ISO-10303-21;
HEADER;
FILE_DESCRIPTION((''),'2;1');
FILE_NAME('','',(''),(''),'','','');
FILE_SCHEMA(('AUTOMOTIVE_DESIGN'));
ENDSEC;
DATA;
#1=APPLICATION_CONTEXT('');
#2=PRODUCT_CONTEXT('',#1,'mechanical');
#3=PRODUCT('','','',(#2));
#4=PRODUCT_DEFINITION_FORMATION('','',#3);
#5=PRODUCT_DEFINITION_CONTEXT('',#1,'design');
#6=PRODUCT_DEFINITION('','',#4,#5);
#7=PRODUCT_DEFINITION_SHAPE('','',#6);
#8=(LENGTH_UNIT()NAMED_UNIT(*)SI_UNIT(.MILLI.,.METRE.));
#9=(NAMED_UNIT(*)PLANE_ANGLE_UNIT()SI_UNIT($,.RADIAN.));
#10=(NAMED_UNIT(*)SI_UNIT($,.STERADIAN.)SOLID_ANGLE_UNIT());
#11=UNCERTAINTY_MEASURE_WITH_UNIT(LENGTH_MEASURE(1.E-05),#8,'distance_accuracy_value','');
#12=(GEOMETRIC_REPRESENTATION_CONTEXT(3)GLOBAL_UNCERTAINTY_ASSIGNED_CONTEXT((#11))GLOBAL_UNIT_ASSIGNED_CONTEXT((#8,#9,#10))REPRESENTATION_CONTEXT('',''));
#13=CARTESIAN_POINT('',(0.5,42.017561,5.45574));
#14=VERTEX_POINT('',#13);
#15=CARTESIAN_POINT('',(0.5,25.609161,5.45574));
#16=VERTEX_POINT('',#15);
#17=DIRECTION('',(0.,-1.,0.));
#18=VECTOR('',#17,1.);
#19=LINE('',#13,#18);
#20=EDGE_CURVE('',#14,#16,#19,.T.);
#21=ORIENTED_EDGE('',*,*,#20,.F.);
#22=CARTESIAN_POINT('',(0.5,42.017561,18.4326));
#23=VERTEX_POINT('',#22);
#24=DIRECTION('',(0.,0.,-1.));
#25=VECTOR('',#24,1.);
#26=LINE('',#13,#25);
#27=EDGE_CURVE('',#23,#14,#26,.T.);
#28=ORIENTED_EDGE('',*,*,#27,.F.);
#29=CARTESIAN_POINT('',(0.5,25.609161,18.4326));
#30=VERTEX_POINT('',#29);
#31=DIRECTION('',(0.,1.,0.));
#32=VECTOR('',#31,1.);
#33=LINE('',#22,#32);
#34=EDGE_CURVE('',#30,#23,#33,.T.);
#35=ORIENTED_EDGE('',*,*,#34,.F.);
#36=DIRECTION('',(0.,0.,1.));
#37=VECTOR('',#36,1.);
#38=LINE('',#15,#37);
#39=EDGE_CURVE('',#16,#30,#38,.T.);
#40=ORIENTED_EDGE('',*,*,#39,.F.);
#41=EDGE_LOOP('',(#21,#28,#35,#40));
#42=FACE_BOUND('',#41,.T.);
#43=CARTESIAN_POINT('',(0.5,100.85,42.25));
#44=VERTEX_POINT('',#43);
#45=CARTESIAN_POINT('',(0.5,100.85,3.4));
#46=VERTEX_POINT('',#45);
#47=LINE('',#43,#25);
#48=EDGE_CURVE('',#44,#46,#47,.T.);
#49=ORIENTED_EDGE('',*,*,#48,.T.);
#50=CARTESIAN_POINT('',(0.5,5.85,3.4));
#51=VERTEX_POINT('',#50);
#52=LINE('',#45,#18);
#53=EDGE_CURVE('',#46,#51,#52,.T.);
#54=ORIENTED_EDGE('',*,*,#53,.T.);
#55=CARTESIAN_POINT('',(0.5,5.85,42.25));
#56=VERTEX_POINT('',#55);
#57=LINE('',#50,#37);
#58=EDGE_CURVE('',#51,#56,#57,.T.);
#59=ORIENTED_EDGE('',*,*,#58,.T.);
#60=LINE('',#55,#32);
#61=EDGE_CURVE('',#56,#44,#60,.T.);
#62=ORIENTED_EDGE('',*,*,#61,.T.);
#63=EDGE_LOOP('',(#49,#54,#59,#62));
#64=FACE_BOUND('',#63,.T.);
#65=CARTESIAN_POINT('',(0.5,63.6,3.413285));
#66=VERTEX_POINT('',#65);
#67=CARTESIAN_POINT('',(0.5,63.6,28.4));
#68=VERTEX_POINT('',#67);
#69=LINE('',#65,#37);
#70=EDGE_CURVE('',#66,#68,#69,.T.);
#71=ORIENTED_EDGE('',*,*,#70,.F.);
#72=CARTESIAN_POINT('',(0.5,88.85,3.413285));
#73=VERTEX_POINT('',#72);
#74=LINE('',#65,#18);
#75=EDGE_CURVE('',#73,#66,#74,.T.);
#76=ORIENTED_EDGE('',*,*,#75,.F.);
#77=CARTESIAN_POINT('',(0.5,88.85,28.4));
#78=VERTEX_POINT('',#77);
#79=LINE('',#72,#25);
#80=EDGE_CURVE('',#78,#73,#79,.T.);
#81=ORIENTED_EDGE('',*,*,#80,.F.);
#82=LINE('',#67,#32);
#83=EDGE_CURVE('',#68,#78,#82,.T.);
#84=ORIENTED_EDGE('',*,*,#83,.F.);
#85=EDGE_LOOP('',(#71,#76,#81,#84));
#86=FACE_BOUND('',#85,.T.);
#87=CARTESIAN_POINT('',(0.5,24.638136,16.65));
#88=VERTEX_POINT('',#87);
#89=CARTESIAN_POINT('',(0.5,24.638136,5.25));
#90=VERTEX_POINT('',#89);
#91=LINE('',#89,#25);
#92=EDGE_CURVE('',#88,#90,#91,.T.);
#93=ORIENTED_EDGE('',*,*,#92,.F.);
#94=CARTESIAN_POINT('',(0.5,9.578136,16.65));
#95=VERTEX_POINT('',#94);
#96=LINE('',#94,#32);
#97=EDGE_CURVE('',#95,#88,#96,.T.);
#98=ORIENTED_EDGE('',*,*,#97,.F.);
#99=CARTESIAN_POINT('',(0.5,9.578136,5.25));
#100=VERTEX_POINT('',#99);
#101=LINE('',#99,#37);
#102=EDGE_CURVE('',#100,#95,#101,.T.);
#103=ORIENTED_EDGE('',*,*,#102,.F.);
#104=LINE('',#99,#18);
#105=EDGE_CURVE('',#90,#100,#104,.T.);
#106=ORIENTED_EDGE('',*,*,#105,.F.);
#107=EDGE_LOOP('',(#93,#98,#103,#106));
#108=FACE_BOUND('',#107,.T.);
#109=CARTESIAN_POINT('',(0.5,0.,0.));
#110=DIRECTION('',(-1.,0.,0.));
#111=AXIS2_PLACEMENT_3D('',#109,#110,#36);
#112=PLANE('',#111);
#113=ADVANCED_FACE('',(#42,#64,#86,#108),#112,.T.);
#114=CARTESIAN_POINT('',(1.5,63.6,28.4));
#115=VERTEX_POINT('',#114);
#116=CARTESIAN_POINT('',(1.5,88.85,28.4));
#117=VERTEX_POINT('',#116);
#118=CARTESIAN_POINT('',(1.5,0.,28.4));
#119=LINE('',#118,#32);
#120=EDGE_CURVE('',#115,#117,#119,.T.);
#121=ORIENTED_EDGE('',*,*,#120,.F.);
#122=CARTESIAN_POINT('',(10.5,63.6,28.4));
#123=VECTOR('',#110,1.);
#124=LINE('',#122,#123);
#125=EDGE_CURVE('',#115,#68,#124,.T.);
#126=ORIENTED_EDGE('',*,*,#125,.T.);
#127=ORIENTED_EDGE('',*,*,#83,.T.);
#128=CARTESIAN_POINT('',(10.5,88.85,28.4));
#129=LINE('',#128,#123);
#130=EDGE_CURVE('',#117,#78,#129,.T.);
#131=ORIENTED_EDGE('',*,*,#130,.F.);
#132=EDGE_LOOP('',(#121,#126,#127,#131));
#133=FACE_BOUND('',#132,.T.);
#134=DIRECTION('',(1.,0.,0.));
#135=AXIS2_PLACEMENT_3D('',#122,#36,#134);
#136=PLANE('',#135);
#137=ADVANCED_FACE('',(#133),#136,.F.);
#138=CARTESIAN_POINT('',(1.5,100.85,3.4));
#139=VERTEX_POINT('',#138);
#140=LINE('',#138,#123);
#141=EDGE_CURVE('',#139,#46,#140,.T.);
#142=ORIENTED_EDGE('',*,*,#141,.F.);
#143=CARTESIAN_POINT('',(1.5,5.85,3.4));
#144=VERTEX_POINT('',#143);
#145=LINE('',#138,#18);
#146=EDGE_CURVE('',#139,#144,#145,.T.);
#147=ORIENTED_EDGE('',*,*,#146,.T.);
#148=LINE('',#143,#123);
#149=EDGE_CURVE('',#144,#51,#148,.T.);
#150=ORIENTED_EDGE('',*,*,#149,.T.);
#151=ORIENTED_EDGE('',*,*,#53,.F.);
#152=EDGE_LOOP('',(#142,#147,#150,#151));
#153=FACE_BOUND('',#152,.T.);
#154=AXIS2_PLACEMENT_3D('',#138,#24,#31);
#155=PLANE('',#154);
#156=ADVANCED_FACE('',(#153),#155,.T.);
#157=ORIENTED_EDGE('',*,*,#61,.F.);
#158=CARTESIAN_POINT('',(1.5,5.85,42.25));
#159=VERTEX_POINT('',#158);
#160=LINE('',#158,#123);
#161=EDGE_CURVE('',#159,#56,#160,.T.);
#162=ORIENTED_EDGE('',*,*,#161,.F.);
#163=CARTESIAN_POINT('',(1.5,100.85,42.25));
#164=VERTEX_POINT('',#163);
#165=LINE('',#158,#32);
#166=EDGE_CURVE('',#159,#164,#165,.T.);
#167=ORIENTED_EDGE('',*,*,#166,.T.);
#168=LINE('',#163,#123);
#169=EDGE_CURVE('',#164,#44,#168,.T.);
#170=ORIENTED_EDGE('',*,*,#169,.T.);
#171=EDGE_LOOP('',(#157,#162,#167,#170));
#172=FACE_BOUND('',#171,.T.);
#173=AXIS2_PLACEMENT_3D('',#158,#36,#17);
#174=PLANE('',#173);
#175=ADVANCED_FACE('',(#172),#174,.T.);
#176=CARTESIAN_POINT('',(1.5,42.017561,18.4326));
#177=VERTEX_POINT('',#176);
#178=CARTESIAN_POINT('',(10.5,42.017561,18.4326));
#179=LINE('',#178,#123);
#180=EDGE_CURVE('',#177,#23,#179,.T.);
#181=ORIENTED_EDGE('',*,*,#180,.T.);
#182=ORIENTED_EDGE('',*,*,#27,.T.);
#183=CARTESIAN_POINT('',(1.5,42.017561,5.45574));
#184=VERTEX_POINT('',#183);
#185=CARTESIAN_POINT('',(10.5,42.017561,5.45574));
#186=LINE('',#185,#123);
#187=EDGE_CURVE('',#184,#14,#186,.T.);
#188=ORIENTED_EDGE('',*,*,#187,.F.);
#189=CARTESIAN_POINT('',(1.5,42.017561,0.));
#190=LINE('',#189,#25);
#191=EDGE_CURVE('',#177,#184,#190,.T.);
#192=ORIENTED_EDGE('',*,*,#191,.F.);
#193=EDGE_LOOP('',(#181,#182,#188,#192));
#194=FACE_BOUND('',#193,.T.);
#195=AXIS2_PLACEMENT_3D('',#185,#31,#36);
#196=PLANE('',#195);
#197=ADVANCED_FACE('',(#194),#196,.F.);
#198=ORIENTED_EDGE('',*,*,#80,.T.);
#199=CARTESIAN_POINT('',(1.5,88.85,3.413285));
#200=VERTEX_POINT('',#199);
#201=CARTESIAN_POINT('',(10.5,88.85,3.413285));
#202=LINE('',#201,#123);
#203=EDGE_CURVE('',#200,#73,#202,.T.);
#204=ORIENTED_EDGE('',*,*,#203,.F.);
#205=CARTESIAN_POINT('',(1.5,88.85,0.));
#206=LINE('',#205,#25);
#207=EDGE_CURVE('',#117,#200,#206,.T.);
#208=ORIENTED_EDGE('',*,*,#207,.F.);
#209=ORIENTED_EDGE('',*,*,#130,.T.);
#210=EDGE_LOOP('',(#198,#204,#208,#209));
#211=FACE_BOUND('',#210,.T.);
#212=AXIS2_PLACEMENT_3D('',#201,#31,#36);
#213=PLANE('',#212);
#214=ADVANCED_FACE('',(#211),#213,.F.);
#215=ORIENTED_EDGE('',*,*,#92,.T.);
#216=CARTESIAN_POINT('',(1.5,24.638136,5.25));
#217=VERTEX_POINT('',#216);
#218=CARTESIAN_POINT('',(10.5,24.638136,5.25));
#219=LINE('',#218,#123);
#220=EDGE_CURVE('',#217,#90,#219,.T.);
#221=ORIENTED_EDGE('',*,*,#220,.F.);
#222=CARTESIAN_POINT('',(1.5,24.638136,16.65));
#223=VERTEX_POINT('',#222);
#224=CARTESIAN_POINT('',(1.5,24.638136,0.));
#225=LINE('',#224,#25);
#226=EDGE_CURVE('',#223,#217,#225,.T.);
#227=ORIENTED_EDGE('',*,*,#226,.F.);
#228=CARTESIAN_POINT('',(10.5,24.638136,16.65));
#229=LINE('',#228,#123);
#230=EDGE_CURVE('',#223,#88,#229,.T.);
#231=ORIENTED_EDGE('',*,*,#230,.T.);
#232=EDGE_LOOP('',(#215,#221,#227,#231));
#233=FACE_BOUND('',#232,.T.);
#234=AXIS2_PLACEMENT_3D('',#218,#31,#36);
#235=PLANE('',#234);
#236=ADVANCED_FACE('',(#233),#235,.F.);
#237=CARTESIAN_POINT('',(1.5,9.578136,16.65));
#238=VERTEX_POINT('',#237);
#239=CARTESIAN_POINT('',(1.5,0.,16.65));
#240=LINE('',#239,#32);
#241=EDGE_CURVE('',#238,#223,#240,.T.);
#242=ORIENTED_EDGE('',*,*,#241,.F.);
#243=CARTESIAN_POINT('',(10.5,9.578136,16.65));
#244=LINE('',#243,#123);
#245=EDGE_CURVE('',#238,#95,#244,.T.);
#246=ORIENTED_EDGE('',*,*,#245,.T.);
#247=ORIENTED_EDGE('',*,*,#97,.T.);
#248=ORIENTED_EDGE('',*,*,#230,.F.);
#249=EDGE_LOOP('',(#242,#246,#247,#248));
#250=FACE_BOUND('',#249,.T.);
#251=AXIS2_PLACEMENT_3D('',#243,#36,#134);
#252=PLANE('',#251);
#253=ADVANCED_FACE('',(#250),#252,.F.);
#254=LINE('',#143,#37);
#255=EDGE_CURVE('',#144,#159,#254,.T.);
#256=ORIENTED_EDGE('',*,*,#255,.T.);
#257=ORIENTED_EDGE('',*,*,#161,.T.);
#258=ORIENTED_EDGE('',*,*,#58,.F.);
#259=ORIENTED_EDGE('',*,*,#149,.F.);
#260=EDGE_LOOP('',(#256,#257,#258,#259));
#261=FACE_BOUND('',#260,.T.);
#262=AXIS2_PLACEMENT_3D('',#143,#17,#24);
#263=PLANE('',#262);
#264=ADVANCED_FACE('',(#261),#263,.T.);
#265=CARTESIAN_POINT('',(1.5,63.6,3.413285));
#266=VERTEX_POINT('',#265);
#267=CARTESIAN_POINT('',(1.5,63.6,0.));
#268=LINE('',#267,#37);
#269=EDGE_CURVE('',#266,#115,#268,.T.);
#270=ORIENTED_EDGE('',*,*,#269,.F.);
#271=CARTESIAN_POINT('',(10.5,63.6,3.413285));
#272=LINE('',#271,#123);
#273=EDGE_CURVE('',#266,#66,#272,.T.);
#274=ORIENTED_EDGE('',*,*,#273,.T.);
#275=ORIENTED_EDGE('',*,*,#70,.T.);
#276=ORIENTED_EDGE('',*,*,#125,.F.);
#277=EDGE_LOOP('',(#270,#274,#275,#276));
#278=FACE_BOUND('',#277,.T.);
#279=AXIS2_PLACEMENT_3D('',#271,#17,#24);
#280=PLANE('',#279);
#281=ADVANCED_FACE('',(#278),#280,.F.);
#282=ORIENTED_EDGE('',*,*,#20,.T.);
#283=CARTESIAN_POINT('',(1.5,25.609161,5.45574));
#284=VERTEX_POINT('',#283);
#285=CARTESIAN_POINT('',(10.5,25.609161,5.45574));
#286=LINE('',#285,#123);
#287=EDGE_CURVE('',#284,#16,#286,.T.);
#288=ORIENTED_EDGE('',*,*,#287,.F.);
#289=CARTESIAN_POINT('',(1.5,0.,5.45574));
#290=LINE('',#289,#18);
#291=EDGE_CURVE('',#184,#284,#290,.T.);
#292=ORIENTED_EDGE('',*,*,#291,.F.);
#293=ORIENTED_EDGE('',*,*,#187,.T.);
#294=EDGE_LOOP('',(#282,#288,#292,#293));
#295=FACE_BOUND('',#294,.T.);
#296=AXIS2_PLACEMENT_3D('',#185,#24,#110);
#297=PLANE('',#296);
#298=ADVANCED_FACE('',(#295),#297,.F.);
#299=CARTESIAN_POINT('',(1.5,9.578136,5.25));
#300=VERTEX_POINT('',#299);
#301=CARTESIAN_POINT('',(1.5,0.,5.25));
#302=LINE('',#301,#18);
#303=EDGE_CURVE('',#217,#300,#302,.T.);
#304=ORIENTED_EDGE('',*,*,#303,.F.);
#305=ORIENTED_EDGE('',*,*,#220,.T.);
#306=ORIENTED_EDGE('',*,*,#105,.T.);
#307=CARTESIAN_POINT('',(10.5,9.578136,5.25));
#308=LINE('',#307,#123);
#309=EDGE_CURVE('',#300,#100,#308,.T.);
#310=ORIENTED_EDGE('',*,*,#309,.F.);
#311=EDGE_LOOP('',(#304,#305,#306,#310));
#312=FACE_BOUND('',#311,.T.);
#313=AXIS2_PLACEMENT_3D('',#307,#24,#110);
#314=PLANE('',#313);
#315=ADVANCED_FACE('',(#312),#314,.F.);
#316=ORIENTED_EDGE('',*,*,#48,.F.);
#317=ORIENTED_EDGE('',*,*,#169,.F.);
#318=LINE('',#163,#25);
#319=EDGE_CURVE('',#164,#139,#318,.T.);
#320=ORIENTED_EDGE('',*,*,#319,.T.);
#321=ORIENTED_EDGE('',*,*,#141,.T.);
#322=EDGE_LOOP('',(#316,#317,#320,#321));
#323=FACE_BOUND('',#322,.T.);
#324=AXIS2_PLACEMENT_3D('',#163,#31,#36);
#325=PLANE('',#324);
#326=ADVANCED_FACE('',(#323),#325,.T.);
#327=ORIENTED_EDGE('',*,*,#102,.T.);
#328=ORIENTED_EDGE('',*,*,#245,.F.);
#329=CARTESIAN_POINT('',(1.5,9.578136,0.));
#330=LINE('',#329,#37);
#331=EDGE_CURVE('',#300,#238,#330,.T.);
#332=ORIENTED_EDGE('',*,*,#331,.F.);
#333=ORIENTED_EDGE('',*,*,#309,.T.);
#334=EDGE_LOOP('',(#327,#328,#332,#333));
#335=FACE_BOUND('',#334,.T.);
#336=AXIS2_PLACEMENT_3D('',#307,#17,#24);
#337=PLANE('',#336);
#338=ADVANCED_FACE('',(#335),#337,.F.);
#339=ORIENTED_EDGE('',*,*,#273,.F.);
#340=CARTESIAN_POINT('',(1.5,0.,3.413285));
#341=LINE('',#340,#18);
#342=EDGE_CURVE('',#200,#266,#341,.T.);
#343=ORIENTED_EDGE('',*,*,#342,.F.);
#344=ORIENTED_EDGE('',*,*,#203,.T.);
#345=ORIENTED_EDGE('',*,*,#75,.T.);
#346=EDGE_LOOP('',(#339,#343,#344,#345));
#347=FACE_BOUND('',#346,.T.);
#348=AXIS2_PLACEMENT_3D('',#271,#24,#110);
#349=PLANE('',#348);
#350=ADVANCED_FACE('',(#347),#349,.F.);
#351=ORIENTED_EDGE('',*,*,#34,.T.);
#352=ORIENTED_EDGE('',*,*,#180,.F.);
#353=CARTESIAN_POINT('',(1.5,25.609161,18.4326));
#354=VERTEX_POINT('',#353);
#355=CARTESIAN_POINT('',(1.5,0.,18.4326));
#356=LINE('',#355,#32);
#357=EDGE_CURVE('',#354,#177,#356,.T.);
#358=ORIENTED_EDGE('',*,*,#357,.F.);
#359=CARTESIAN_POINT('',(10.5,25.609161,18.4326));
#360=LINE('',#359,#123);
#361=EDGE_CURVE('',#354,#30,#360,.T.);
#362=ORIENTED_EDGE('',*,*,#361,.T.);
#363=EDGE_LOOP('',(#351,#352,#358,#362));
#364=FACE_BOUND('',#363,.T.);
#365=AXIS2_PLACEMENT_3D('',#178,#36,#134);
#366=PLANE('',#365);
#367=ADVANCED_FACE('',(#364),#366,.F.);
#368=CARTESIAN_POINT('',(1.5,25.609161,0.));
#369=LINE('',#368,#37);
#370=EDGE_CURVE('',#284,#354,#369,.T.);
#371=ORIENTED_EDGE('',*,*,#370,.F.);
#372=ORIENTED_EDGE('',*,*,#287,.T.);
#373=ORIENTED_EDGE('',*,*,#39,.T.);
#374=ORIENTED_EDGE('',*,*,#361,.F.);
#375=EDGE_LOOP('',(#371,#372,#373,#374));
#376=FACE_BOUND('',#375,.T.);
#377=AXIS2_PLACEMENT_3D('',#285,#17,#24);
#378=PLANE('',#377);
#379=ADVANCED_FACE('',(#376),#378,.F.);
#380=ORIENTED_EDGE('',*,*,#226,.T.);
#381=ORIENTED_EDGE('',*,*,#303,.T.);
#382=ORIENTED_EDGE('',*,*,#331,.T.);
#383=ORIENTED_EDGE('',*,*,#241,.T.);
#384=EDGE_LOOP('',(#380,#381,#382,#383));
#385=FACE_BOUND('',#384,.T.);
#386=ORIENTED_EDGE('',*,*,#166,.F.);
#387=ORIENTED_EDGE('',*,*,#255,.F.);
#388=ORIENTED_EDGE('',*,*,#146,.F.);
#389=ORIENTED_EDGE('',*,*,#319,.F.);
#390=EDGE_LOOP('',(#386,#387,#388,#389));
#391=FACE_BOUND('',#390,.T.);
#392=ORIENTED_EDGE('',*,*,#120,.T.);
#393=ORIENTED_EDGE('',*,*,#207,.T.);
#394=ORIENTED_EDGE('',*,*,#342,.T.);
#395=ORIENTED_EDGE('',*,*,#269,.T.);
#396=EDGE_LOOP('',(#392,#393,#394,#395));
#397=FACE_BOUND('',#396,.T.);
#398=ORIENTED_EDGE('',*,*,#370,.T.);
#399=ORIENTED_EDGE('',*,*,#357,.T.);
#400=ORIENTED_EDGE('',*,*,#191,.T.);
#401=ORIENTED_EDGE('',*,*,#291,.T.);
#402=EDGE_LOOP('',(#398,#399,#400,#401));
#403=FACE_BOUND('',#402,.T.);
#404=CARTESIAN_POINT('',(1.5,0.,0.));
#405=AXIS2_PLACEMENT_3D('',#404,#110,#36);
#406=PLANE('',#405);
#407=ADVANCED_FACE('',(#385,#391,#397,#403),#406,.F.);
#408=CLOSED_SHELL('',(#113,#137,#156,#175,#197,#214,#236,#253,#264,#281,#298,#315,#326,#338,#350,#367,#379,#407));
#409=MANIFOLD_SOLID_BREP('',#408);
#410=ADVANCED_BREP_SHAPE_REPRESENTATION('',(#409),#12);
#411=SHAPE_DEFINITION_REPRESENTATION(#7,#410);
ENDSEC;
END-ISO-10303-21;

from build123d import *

# Parameters (mm, degrees)
SKETCH_1_W          = 95
SKETCH_1_H          = 38.85
EXTRUDE_1_DEPTH     = 1
SKETCH_2_W          = 11.4
SKETCH_2_H          = 15.06
SKETCH_2_W_2        = 24.986714953
SKETCH_2_H_2        = 25.25
SKETCH_2_W_3        = 12.976860002
SKETCH_2_H_3        = 16.4084
CUT_EXTRUDE_1_DEPTH = 10


with BuildPart() as part:
    # Эскиз1 → Бобышка-Вытянуть1 (new body)
    with BuildSketch(Plane(origin=(0.5, 0, 0), x_dir=(0, -1, 0), z_dir=(-1, 0, 0))):
        with Locations((-53.35, 22.825)):
            Rectangle(SKETCH_1_W, SKETCH_1_H)
    extrude(amount=-EXTRUDE_1_DEPTH)

    # Эскиз2 → Вырез-Вытянуть1 (cut)
    with BuildSketch(Plane.ZY.offset(-0.5)):
        with Locations((10.95, 17.108135831)):
            Rectangle(SKETCH_2_W, SKETCH_2_H)
        with Locations((15.906642524, 76.225)):
            Rectangle(SKETCH_2_W_2, SKETCH_2_H_2)
        with Locations((11.944169999, 33.813361354)):
            Rectangle(SKETCH_2_W_3, SKETCH_2_H_3)
    extrude(amount=-CUT_EXTRUDE_1_DEPTH, mode=Mode.SUBTRACT)


solid = part.part
